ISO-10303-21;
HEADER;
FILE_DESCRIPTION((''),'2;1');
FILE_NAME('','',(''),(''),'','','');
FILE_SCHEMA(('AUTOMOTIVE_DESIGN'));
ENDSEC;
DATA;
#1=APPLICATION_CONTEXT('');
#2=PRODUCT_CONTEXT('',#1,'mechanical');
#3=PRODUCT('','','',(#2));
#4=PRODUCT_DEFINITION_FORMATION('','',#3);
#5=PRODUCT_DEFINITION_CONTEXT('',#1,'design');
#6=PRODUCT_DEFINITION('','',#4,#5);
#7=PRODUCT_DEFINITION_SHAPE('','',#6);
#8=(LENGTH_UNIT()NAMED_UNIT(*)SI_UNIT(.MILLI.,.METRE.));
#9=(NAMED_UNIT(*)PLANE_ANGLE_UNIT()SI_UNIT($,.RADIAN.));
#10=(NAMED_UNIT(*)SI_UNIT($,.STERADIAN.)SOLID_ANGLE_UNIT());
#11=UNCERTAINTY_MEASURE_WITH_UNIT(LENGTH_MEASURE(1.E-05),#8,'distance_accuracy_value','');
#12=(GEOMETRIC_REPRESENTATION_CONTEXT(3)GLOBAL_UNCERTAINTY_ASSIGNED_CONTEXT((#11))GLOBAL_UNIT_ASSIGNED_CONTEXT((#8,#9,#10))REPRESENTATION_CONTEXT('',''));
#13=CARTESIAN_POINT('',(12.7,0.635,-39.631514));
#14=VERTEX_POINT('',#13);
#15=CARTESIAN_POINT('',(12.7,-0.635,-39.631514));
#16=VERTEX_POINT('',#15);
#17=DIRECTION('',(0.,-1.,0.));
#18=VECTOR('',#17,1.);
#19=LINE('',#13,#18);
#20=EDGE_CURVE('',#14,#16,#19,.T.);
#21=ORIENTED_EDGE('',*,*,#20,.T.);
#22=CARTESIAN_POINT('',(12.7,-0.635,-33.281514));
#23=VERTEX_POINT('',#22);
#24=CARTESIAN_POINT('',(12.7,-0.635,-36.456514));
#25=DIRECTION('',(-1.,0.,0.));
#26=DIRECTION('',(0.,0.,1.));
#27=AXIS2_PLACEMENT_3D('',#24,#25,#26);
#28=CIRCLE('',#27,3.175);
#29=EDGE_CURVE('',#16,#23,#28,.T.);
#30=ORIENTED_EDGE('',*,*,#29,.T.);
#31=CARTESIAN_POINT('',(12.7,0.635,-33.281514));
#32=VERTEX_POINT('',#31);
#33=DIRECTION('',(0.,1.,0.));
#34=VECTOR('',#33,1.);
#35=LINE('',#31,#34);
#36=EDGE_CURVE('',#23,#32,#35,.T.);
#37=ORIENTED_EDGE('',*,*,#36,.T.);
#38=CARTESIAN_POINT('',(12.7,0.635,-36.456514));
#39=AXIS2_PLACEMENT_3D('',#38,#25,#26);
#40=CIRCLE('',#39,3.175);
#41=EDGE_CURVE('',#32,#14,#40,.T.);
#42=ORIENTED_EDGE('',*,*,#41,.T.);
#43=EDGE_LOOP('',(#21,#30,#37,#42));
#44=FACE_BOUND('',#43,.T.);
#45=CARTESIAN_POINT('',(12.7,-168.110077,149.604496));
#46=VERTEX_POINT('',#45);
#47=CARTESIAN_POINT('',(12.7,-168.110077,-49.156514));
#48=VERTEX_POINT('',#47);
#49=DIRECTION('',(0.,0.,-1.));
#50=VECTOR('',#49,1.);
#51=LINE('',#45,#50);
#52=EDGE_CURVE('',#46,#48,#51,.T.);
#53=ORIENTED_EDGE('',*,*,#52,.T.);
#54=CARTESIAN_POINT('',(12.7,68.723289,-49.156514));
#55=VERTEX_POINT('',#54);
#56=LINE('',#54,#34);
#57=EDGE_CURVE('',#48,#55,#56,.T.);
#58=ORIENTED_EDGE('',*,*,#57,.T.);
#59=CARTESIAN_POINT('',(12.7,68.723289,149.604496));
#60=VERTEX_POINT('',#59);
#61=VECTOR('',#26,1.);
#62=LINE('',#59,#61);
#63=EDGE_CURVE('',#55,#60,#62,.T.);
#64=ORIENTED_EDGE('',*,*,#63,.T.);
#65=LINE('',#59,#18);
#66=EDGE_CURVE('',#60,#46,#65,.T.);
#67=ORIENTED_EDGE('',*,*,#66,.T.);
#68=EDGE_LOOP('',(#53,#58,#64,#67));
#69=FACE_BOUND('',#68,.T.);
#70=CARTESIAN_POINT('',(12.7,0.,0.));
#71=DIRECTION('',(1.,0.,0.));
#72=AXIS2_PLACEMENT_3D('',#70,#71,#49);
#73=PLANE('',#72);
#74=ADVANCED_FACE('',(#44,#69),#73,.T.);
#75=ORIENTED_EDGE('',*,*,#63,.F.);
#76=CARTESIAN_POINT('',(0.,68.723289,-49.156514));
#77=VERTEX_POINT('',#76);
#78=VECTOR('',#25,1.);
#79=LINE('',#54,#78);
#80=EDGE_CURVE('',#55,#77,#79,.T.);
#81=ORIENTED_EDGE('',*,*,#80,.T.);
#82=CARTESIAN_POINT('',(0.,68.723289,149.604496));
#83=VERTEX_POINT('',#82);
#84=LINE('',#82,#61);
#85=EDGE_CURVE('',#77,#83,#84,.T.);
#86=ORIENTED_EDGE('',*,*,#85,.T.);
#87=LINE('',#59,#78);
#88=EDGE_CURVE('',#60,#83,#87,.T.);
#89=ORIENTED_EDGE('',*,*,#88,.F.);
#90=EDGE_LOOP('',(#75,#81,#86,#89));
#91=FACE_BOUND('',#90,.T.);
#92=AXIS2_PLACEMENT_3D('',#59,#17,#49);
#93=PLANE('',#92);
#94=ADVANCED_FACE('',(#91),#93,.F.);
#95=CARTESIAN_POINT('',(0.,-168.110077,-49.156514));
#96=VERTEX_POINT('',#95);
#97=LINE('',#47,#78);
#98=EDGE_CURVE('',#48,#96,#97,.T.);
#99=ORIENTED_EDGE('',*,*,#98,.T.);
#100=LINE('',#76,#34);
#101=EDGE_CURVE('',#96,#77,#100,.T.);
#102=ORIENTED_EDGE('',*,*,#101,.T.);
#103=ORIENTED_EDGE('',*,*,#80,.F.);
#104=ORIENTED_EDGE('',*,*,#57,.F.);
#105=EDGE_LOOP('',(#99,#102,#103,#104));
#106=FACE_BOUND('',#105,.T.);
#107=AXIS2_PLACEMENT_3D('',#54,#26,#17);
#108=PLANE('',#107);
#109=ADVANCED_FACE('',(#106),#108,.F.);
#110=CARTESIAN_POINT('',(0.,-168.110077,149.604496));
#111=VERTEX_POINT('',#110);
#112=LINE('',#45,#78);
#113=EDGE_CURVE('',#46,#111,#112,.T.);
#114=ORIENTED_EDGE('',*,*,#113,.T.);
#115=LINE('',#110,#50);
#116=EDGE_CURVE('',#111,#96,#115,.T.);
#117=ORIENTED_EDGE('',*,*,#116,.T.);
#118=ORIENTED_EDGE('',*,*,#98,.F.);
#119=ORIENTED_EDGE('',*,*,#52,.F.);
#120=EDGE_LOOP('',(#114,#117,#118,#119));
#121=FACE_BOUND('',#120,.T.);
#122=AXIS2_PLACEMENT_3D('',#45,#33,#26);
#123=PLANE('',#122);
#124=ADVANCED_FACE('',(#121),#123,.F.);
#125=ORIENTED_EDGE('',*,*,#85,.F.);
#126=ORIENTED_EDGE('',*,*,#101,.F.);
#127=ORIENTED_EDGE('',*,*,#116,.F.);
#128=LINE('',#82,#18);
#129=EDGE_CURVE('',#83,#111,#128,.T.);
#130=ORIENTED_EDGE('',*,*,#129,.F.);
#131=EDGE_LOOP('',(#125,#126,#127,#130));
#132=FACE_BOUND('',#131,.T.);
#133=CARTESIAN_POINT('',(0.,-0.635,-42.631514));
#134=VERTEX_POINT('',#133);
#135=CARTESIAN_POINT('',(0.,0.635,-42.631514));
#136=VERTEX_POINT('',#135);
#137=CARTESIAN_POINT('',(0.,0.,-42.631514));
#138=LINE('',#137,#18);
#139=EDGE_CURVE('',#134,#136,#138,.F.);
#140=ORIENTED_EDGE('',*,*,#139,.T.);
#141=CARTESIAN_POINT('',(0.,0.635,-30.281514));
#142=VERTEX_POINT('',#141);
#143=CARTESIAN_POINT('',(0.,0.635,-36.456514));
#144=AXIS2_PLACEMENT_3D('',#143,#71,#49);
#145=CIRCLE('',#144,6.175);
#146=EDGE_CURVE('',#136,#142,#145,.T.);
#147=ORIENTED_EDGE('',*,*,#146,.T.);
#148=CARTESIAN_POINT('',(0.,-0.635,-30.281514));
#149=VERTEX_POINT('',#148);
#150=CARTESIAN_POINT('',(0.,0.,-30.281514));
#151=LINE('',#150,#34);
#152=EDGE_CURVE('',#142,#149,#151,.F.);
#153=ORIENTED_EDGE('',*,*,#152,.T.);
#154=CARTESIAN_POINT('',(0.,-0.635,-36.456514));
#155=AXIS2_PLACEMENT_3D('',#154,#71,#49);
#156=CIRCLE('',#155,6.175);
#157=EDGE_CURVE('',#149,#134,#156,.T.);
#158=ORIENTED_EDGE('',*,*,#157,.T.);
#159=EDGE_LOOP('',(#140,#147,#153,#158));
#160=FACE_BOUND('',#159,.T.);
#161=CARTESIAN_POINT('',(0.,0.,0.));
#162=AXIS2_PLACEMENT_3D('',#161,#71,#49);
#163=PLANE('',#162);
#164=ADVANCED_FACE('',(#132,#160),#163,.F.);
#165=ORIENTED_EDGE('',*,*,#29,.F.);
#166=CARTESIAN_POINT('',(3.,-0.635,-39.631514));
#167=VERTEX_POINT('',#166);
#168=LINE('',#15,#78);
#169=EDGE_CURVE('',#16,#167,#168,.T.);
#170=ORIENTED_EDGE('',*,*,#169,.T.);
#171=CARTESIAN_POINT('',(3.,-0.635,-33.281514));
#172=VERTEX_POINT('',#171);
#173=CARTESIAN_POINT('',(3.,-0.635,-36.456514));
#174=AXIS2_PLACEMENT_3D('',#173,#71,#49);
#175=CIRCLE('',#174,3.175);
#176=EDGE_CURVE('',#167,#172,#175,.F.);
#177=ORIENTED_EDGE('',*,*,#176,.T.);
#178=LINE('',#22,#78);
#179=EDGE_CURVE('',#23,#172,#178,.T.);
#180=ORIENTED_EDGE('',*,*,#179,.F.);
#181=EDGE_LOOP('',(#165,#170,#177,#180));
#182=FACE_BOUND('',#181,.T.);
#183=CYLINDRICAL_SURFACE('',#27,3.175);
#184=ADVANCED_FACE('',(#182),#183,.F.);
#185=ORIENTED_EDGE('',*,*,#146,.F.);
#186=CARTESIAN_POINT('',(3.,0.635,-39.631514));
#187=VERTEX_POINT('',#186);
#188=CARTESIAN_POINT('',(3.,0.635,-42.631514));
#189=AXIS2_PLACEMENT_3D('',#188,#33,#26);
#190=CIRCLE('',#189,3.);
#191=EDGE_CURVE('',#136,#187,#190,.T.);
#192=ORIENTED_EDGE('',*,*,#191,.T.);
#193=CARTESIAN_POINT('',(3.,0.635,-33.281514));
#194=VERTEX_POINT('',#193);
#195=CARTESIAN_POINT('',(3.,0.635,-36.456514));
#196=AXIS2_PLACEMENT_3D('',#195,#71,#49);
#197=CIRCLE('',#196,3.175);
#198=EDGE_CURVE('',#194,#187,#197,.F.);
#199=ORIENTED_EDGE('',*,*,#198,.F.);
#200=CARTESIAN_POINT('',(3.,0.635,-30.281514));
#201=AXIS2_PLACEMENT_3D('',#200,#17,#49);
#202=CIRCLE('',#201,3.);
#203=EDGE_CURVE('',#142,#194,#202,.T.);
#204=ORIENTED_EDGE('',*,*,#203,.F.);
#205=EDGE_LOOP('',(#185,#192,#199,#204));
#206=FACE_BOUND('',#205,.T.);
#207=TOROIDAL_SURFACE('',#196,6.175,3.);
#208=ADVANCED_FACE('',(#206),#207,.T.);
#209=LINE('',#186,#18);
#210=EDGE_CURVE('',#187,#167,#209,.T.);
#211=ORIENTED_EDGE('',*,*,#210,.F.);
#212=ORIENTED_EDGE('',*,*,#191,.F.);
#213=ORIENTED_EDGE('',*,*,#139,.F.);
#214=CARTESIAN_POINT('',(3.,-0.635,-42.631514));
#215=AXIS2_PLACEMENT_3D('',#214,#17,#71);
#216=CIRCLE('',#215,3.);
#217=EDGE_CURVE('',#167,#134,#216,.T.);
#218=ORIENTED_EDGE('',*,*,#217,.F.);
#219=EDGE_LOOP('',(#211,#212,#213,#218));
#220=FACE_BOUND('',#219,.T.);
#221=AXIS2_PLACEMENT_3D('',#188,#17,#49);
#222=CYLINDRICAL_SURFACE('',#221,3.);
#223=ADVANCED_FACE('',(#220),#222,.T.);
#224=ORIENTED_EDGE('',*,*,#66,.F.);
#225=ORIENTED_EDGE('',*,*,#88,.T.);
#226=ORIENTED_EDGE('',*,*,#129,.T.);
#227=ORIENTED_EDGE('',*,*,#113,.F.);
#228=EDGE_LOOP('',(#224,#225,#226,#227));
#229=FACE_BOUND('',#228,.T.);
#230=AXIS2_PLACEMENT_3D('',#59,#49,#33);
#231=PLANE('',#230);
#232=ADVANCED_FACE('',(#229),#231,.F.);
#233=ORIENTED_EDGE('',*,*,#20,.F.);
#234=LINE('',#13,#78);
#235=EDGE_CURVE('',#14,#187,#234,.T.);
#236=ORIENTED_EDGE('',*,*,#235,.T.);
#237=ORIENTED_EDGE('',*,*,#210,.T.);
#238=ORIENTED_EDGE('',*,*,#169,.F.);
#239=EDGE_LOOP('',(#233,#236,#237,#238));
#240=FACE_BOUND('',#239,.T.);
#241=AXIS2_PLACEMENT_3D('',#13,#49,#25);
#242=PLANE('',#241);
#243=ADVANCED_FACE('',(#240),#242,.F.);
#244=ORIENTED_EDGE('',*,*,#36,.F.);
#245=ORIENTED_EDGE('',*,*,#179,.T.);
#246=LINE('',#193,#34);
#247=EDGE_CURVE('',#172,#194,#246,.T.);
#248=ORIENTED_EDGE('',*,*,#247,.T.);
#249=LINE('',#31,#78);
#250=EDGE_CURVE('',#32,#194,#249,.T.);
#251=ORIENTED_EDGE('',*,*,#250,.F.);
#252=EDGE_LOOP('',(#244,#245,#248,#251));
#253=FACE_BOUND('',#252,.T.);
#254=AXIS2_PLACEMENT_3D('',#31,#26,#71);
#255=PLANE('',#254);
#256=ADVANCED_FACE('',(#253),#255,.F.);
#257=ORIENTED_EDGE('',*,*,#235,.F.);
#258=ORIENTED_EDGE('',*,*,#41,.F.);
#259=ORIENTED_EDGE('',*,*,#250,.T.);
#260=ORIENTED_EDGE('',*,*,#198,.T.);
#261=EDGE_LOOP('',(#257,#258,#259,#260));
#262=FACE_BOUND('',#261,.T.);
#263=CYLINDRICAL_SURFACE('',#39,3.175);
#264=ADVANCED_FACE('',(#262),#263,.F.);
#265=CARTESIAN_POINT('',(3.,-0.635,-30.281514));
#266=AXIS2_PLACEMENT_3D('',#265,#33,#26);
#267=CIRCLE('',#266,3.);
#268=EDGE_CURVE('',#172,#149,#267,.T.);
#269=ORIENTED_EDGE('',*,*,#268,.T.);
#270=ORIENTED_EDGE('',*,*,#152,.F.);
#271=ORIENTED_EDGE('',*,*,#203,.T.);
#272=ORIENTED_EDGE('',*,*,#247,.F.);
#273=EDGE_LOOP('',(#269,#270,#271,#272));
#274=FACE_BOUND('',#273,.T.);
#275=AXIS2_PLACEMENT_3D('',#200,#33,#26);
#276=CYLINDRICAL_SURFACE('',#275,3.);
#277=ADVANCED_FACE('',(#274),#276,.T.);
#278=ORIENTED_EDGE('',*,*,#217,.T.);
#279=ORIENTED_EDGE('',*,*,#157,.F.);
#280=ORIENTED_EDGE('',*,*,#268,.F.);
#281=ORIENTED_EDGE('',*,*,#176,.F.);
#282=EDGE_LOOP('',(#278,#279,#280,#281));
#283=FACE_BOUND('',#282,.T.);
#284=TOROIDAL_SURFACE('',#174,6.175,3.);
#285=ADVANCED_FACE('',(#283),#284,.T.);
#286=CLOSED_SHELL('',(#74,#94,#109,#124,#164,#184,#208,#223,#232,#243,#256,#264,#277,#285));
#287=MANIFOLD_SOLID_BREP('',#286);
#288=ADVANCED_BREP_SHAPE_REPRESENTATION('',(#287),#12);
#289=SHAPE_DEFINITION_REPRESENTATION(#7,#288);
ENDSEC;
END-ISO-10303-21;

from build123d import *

# Parameters (mm, degrees)
SKETCH1_W           = 198.761009384
SKETCH1_H           = 236.83336565
BOSS_EXTRUDE1_DEPTH = 12.7
CUT_EXTRUDE1_DEPTH  = 12.7
FILLET1_R           = 3


with BuildPart() as part:
    # Sketch1 → Boss-Extrude1 (new body)
    with BuildSketch(Plane(origin=(0, 0, 0), x_dir=(0, 0, -1), z_dir=(1, 0, 0))):
        with Locations((-50.223991022, -49.693394246)):
            Rectangle(SKETCH1_W, SKETCH1_H)
    extrude(amount=BOSS_EXTRUDE1_DEPTH)

    # Sketch2 → Cut-Extrude1 (cut)
    with BuildSketch(Plane.ZY):
        with BuildLine():
            Line((-33.28151367, 0.635), (-33.28151367, -0.635))
            ThreePointArc((-33.28151367, -0.635), (-36.45651367, -3.81), (-39.63151367, -0.635))
            Line((-39.63151367, -0.635), (-39.63151367, 0.635))
            ThreePointArc((-39.63151367, 0.635), (-36.45651367, 3.81), (-33.28151367, 0.635))
        make_face()
    extrude(amount=-CUT_EXTRUDE1_DEPTH, mode=Mode.SUBTRACT)

    # Fillet1
    fillet1_edges = [part.edges().sort_by_distance(p)[0] for p in [
        (0, 3.81, -36.45651367),
        (0, 0, -39.63151367),
        (0, -3.81, -36.45651367),
        (0, 0, -33.28151367),
    ]]
    fillet(fillet1_edges, radius=FILLET1_R)


solid = part.part
